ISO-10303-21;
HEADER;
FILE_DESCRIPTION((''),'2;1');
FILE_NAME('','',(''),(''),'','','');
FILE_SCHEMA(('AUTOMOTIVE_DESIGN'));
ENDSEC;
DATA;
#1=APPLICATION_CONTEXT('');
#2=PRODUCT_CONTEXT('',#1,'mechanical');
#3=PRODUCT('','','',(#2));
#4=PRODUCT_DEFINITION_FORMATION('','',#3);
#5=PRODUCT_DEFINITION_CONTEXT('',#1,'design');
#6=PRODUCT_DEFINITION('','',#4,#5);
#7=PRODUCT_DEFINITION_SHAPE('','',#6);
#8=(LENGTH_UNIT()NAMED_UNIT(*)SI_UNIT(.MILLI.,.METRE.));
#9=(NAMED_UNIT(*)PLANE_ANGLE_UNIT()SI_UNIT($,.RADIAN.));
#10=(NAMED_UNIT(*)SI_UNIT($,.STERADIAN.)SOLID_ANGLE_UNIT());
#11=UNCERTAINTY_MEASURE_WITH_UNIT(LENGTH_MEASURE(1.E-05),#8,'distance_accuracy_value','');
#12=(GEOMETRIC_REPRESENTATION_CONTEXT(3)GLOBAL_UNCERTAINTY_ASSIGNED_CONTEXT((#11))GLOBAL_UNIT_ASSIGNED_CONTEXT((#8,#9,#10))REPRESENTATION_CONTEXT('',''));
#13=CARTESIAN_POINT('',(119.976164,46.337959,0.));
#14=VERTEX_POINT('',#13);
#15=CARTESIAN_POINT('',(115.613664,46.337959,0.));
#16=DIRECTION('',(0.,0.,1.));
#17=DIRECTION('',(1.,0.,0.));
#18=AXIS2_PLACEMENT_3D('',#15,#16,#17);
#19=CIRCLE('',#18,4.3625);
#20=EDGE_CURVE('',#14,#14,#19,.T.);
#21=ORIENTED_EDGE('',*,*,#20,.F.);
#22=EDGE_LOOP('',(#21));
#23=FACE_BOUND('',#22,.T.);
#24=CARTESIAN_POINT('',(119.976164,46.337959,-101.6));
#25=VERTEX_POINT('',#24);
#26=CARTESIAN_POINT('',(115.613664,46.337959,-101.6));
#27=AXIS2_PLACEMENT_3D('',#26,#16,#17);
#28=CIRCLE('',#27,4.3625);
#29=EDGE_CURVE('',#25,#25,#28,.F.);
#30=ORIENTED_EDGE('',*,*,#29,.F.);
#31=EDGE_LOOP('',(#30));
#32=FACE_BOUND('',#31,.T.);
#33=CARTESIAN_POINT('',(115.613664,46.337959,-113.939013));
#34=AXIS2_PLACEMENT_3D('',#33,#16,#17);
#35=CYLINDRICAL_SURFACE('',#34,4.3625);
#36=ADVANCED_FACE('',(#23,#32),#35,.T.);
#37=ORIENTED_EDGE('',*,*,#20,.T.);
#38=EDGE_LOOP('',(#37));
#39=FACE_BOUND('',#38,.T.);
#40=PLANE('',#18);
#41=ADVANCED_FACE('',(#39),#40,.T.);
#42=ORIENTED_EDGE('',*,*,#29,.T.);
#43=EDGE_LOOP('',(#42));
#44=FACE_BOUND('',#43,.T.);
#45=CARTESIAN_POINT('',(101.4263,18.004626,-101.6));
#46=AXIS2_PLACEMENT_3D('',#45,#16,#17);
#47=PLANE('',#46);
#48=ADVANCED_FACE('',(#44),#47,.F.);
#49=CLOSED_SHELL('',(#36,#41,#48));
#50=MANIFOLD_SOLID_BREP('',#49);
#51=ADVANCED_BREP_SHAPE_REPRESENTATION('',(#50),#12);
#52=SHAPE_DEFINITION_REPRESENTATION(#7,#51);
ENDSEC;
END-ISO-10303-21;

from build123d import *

# Parameters (mm, degrees)
SKETCH1_R           = 4.3625
BOSS_EXTRUDE1_DEPTH = 101.6


with BuildPart() as part:
    # Sketch1 → Boss-Extrude1 (new body)
    with BuildSketch(Plane.XY):
        with Locations((115.613664311, 46.337958859)):
            Circle(SKETCH1_R)
    extrude(amount=-BOSS_EXTRUDE1_DEPTH)


solid = part.part
